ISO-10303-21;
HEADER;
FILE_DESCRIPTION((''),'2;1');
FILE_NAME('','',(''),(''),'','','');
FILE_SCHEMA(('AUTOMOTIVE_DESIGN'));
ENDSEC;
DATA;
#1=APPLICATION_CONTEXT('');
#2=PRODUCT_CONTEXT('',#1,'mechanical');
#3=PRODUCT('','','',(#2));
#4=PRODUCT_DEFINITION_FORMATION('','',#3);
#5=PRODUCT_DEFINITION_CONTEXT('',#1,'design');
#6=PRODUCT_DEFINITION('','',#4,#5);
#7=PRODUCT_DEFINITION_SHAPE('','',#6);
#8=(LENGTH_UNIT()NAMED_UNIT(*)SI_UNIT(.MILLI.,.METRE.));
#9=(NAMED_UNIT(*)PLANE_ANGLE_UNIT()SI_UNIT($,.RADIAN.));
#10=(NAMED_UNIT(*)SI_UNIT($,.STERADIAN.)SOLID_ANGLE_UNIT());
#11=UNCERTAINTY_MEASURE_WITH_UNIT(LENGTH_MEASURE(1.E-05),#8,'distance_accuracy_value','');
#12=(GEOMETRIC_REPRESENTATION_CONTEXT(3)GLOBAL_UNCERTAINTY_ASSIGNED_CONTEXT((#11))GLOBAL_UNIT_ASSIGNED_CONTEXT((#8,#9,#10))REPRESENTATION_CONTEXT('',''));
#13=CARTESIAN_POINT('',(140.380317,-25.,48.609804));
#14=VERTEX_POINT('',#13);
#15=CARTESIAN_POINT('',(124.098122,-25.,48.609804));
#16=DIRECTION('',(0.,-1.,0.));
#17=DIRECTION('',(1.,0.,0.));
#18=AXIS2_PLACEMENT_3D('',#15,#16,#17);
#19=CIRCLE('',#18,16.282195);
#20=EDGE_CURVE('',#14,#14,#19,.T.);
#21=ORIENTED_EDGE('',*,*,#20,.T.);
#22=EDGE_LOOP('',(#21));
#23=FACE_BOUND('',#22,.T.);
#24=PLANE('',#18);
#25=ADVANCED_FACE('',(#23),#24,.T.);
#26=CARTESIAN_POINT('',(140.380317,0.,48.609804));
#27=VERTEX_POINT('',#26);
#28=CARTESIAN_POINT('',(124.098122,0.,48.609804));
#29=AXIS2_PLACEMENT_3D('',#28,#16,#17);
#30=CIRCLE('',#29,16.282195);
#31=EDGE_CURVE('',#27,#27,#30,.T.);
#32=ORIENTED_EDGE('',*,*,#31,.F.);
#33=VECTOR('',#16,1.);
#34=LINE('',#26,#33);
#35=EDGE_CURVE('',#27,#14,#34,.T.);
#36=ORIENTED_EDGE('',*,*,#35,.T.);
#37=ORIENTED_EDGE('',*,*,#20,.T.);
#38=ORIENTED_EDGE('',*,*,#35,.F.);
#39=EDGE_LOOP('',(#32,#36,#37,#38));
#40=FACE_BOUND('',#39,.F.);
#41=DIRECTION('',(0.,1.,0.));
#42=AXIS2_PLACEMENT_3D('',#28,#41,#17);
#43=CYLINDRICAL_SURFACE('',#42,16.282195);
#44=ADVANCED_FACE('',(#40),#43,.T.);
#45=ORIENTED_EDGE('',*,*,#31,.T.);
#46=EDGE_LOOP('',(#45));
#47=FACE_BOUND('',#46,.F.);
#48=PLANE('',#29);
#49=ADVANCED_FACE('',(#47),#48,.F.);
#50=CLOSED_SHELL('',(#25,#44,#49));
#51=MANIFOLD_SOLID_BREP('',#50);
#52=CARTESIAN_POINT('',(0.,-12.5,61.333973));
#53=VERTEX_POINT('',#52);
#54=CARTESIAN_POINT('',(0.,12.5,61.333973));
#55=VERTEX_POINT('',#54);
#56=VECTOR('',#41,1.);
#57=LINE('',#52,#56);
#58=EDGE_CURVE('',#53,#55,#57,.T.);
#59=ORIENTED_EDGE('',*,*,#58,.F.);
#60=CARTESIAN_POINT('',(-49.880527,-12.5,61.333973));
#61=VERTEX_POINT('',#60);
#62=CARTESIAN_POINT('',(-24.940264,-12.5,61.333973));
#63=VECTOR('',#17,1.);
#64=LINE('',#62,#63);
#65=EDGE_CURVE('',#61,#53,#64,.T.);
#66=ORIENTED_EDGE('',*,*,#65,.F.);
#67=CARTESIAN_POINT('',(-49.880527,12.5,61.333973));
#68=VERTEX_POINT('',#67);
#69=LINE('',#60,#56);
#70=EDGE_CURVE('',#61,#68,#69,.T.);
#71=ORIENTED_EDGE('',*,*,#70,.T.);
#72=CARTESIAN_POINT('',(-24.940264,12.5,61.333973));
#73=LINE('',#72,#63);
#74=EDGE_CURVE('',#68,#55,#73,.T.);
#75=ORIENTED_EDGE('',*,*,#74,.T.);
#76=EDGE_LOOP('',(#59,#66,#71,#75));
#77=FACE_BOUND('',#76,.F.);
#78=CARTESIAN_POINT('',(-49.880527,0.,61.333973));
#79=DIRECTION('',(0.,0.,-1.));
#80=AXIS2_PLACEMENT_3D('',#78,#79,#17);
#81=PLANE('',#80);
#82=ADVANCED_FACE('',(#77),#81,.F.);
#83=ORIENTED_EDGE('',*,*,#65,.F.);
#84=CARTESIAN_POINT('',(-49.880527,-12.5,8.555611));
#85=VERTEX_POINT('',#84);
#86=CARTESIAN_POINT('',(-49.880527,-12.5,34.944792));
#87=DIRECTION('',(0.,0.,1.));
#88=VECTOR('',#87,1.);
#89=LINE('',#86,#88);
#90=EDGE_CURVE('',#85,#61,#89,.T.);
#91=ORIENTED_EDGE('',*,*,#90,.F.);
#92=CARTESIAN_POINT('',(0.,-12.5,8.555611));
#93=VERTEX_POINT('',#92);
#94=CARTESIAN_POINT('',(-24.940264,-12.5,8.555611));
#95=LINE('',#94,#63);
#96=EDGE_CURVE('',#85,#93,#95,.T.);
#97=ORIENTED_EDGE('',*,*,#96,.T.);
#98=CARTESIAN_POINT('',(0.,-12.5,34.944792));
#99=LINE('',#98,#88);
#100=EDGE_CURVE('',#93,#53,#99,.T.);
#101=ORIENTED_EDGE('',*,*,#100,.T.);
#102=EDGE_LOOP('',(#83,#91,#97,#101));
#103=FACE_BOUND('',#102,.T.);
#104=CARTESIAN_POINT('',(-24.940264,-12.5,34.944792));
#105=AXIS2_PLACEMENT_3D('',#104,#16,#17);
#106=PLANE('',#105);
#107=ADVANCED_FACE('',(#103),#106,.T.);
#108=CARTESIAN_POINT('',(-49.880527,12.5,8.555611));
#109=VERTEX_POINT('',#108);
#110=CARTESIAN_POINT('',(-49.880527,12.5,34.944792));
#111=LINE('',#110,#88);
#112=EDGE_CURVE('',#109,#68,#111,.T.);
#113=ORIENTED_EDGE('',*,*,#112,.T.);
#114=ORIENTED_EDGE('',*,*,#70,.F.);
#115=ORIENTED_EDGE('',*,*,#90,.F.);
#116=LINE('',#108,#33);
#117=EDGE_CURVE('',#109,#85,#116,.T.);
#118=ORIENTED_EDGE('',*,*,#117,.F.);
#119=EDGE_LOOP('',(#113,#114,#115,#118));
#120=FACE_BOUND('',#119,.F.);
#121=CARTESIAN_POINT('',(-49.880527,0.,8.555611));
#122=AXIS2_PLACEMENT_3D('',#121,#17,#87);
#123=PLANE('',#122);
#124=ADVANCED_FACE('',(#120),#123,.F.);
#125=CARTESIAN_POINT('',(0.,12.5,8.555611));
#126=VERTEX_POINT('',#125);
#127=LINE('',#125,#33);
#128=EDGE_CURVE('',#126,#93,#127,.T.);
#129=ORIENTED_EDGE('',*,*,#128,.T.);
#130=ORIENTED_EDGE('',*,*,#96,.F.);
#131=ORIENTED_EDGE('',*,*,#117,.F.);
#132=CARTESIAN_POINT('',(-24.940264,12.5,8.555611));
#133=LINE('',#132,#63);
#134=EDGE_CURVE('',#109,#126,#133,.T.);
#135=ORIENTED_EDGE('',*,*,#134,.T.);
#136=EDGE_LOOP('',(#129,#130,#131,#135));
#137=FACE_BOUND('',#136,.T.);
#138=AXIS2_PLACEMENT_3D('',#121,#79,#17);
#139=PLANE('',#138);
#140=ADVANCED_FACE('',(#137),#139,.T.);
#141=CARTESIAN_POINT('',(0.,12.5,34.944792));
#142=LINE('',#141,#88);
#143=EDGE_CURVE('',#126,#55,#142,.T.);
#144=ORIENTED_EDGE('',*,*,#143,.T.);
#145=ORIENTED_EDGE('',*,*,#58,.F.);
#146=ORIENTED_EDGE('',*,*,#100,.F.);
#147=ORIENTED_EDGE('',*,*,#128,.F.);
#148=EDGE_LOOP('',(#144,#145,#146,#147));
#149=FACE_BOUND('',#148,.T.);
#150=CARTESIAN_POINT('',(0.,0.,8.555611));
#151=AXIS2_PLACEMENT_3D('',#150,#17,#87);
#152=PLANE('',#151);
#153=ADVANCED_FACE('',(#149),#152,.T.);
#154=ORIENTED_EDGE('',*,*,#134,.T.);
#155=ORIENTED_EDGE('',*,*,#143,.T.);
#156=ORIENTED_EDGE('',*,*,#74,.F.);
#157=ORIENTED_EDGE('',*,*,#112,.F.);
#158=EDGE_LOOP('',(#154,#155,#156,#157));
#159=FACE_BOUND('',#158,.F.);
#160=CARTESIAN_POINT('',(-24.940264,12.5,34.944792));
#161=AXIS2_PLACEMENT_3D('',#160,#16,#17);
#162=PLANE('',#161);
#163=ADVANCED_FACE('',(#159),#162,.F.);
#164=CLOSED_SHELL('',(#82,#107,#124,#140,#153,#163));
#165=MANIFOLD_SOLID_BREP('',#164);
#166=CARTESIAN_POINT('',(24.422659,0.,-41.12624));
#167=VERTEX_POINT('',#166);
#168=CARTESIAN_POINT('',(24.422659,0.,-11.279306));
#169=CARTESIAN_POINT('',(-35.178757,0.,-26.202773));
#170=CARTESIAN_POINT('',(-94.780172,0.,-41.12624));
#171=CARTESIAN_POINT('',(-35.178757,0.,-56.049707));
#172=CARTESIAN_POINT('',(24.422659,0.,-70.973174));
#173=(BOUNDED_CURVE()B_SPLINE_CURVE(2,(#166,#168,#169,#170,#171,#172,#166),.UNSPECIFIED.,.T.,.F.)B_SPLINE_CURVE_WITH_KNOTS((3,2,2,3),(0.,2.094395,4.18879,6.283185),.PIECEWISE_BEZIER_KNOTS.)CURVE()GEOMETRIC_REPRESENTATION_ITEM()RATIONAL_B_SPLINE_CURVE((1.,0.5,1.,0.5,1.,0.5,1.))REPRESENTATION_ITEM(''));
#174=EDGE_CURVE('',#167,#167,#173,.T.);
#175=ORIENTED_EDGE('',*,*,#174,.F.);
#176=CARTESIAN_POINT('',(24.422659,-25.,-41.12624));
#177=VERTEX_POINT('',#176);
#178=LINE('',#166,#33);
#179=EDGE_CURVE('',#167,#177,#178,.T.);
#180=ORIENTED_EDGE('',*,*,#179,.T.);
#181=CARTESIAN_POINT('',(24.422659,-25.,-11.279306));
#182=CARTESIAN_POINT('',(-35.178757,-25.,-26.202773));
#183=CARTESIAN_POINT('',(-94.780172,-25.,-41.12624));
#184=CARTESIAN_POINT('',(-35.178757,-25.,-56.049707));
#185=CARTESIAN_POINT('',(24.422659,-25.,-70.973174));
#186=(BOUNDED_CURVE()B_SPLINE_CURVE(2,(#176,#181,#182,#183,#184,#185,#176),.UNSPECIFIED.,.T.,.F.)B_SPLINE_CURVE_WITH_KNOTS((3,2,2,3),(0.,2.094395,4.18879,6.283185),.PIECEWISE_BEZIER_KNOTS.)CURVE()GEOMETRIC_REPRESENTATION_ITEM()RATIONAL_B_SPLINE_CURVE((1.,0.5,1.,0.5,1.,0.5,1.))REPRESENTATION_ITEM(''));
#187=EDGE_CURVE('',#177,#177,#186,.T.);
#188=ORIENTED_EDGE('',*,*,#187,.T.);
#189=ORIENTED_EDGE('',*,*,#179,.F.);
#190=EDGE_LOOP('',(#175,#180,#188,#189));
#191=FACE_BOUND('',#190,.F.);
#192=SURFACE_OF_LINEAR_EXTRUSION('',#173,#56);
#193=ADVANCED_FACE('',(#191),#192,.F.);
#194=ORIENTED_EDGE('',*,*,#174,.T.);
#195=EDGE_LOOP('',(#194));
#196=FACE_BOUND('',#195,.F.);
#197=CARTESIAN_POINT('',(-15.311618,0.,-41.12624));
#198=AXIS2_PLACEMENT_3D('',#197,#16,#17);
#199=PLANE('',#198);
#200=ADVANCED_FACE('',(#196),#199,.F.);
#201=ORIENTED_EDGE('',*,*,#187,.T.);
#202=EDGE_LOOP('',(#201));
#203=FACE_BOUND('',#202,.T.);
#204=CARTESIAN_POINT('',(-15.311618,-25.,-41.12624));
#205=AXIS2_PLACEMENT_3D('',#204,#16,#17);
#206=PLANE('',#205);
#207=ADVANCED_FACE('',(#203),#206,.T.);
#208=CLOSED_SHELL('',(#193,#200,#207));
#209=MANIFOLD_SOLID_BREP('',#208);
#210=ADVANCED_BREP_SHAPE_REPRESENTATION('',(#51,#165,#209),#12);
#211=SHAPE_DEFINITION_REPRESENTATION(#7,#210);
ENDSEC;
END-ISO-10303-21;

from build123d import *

# Parameters (mm, degrees)
F0_W     = 49.880527
F0_H     = 52.778362
F1_DEPTH = 12.5
F2_R     = 16.282195
F3_DEPTH = 25
F5_DEPTH = 25


with BuildPart() as f1:
    # F0 (on Front) → F1 (new body, symmetric)
    with BuildSketch(Plane.XZ):
        with Locations((-24.940264, 34.944792)):
            Rectangle(F0_W, F0_H)
    extrude(amount=F1_DEPTH, both=True)


with BuildPart() as f3:
    # F2 (on Front) → F3 (new body)
    with BuildSketch(Plane.XZ):
        with Locations((124.098122, 48.609804)):
            Circle(F2_R)
    extrude(amount=F3_DEPTH)


with BuildPart() as f5:
    # F4 (on Front) → F5 (new body)
    with BuildSketch(Plane.XZ):
        with BuildLine():
            add(Edge.make_bspline(
                [(24.422659, -41.12624), (24.422659, -11.279306), (-35.178757, -26.202773), (-94.780172, -41.12624), (-35.178757, -56.049707), (24.422659, -70.973174), (24.422659, -41.12624)],
                knots=[0, 0, 0, 2.094395, 2.094395, 4.18879, 4.18879, 6.283185, 6.283185, 6.283185], degree=2, weights=[1, 0.5, 1, 0.5, 1, 0.5, 1]))
        make_face()
    extrude(amount=F5_DEPTH)


solid = Compound([f1.part, f3.part, f5.part])
